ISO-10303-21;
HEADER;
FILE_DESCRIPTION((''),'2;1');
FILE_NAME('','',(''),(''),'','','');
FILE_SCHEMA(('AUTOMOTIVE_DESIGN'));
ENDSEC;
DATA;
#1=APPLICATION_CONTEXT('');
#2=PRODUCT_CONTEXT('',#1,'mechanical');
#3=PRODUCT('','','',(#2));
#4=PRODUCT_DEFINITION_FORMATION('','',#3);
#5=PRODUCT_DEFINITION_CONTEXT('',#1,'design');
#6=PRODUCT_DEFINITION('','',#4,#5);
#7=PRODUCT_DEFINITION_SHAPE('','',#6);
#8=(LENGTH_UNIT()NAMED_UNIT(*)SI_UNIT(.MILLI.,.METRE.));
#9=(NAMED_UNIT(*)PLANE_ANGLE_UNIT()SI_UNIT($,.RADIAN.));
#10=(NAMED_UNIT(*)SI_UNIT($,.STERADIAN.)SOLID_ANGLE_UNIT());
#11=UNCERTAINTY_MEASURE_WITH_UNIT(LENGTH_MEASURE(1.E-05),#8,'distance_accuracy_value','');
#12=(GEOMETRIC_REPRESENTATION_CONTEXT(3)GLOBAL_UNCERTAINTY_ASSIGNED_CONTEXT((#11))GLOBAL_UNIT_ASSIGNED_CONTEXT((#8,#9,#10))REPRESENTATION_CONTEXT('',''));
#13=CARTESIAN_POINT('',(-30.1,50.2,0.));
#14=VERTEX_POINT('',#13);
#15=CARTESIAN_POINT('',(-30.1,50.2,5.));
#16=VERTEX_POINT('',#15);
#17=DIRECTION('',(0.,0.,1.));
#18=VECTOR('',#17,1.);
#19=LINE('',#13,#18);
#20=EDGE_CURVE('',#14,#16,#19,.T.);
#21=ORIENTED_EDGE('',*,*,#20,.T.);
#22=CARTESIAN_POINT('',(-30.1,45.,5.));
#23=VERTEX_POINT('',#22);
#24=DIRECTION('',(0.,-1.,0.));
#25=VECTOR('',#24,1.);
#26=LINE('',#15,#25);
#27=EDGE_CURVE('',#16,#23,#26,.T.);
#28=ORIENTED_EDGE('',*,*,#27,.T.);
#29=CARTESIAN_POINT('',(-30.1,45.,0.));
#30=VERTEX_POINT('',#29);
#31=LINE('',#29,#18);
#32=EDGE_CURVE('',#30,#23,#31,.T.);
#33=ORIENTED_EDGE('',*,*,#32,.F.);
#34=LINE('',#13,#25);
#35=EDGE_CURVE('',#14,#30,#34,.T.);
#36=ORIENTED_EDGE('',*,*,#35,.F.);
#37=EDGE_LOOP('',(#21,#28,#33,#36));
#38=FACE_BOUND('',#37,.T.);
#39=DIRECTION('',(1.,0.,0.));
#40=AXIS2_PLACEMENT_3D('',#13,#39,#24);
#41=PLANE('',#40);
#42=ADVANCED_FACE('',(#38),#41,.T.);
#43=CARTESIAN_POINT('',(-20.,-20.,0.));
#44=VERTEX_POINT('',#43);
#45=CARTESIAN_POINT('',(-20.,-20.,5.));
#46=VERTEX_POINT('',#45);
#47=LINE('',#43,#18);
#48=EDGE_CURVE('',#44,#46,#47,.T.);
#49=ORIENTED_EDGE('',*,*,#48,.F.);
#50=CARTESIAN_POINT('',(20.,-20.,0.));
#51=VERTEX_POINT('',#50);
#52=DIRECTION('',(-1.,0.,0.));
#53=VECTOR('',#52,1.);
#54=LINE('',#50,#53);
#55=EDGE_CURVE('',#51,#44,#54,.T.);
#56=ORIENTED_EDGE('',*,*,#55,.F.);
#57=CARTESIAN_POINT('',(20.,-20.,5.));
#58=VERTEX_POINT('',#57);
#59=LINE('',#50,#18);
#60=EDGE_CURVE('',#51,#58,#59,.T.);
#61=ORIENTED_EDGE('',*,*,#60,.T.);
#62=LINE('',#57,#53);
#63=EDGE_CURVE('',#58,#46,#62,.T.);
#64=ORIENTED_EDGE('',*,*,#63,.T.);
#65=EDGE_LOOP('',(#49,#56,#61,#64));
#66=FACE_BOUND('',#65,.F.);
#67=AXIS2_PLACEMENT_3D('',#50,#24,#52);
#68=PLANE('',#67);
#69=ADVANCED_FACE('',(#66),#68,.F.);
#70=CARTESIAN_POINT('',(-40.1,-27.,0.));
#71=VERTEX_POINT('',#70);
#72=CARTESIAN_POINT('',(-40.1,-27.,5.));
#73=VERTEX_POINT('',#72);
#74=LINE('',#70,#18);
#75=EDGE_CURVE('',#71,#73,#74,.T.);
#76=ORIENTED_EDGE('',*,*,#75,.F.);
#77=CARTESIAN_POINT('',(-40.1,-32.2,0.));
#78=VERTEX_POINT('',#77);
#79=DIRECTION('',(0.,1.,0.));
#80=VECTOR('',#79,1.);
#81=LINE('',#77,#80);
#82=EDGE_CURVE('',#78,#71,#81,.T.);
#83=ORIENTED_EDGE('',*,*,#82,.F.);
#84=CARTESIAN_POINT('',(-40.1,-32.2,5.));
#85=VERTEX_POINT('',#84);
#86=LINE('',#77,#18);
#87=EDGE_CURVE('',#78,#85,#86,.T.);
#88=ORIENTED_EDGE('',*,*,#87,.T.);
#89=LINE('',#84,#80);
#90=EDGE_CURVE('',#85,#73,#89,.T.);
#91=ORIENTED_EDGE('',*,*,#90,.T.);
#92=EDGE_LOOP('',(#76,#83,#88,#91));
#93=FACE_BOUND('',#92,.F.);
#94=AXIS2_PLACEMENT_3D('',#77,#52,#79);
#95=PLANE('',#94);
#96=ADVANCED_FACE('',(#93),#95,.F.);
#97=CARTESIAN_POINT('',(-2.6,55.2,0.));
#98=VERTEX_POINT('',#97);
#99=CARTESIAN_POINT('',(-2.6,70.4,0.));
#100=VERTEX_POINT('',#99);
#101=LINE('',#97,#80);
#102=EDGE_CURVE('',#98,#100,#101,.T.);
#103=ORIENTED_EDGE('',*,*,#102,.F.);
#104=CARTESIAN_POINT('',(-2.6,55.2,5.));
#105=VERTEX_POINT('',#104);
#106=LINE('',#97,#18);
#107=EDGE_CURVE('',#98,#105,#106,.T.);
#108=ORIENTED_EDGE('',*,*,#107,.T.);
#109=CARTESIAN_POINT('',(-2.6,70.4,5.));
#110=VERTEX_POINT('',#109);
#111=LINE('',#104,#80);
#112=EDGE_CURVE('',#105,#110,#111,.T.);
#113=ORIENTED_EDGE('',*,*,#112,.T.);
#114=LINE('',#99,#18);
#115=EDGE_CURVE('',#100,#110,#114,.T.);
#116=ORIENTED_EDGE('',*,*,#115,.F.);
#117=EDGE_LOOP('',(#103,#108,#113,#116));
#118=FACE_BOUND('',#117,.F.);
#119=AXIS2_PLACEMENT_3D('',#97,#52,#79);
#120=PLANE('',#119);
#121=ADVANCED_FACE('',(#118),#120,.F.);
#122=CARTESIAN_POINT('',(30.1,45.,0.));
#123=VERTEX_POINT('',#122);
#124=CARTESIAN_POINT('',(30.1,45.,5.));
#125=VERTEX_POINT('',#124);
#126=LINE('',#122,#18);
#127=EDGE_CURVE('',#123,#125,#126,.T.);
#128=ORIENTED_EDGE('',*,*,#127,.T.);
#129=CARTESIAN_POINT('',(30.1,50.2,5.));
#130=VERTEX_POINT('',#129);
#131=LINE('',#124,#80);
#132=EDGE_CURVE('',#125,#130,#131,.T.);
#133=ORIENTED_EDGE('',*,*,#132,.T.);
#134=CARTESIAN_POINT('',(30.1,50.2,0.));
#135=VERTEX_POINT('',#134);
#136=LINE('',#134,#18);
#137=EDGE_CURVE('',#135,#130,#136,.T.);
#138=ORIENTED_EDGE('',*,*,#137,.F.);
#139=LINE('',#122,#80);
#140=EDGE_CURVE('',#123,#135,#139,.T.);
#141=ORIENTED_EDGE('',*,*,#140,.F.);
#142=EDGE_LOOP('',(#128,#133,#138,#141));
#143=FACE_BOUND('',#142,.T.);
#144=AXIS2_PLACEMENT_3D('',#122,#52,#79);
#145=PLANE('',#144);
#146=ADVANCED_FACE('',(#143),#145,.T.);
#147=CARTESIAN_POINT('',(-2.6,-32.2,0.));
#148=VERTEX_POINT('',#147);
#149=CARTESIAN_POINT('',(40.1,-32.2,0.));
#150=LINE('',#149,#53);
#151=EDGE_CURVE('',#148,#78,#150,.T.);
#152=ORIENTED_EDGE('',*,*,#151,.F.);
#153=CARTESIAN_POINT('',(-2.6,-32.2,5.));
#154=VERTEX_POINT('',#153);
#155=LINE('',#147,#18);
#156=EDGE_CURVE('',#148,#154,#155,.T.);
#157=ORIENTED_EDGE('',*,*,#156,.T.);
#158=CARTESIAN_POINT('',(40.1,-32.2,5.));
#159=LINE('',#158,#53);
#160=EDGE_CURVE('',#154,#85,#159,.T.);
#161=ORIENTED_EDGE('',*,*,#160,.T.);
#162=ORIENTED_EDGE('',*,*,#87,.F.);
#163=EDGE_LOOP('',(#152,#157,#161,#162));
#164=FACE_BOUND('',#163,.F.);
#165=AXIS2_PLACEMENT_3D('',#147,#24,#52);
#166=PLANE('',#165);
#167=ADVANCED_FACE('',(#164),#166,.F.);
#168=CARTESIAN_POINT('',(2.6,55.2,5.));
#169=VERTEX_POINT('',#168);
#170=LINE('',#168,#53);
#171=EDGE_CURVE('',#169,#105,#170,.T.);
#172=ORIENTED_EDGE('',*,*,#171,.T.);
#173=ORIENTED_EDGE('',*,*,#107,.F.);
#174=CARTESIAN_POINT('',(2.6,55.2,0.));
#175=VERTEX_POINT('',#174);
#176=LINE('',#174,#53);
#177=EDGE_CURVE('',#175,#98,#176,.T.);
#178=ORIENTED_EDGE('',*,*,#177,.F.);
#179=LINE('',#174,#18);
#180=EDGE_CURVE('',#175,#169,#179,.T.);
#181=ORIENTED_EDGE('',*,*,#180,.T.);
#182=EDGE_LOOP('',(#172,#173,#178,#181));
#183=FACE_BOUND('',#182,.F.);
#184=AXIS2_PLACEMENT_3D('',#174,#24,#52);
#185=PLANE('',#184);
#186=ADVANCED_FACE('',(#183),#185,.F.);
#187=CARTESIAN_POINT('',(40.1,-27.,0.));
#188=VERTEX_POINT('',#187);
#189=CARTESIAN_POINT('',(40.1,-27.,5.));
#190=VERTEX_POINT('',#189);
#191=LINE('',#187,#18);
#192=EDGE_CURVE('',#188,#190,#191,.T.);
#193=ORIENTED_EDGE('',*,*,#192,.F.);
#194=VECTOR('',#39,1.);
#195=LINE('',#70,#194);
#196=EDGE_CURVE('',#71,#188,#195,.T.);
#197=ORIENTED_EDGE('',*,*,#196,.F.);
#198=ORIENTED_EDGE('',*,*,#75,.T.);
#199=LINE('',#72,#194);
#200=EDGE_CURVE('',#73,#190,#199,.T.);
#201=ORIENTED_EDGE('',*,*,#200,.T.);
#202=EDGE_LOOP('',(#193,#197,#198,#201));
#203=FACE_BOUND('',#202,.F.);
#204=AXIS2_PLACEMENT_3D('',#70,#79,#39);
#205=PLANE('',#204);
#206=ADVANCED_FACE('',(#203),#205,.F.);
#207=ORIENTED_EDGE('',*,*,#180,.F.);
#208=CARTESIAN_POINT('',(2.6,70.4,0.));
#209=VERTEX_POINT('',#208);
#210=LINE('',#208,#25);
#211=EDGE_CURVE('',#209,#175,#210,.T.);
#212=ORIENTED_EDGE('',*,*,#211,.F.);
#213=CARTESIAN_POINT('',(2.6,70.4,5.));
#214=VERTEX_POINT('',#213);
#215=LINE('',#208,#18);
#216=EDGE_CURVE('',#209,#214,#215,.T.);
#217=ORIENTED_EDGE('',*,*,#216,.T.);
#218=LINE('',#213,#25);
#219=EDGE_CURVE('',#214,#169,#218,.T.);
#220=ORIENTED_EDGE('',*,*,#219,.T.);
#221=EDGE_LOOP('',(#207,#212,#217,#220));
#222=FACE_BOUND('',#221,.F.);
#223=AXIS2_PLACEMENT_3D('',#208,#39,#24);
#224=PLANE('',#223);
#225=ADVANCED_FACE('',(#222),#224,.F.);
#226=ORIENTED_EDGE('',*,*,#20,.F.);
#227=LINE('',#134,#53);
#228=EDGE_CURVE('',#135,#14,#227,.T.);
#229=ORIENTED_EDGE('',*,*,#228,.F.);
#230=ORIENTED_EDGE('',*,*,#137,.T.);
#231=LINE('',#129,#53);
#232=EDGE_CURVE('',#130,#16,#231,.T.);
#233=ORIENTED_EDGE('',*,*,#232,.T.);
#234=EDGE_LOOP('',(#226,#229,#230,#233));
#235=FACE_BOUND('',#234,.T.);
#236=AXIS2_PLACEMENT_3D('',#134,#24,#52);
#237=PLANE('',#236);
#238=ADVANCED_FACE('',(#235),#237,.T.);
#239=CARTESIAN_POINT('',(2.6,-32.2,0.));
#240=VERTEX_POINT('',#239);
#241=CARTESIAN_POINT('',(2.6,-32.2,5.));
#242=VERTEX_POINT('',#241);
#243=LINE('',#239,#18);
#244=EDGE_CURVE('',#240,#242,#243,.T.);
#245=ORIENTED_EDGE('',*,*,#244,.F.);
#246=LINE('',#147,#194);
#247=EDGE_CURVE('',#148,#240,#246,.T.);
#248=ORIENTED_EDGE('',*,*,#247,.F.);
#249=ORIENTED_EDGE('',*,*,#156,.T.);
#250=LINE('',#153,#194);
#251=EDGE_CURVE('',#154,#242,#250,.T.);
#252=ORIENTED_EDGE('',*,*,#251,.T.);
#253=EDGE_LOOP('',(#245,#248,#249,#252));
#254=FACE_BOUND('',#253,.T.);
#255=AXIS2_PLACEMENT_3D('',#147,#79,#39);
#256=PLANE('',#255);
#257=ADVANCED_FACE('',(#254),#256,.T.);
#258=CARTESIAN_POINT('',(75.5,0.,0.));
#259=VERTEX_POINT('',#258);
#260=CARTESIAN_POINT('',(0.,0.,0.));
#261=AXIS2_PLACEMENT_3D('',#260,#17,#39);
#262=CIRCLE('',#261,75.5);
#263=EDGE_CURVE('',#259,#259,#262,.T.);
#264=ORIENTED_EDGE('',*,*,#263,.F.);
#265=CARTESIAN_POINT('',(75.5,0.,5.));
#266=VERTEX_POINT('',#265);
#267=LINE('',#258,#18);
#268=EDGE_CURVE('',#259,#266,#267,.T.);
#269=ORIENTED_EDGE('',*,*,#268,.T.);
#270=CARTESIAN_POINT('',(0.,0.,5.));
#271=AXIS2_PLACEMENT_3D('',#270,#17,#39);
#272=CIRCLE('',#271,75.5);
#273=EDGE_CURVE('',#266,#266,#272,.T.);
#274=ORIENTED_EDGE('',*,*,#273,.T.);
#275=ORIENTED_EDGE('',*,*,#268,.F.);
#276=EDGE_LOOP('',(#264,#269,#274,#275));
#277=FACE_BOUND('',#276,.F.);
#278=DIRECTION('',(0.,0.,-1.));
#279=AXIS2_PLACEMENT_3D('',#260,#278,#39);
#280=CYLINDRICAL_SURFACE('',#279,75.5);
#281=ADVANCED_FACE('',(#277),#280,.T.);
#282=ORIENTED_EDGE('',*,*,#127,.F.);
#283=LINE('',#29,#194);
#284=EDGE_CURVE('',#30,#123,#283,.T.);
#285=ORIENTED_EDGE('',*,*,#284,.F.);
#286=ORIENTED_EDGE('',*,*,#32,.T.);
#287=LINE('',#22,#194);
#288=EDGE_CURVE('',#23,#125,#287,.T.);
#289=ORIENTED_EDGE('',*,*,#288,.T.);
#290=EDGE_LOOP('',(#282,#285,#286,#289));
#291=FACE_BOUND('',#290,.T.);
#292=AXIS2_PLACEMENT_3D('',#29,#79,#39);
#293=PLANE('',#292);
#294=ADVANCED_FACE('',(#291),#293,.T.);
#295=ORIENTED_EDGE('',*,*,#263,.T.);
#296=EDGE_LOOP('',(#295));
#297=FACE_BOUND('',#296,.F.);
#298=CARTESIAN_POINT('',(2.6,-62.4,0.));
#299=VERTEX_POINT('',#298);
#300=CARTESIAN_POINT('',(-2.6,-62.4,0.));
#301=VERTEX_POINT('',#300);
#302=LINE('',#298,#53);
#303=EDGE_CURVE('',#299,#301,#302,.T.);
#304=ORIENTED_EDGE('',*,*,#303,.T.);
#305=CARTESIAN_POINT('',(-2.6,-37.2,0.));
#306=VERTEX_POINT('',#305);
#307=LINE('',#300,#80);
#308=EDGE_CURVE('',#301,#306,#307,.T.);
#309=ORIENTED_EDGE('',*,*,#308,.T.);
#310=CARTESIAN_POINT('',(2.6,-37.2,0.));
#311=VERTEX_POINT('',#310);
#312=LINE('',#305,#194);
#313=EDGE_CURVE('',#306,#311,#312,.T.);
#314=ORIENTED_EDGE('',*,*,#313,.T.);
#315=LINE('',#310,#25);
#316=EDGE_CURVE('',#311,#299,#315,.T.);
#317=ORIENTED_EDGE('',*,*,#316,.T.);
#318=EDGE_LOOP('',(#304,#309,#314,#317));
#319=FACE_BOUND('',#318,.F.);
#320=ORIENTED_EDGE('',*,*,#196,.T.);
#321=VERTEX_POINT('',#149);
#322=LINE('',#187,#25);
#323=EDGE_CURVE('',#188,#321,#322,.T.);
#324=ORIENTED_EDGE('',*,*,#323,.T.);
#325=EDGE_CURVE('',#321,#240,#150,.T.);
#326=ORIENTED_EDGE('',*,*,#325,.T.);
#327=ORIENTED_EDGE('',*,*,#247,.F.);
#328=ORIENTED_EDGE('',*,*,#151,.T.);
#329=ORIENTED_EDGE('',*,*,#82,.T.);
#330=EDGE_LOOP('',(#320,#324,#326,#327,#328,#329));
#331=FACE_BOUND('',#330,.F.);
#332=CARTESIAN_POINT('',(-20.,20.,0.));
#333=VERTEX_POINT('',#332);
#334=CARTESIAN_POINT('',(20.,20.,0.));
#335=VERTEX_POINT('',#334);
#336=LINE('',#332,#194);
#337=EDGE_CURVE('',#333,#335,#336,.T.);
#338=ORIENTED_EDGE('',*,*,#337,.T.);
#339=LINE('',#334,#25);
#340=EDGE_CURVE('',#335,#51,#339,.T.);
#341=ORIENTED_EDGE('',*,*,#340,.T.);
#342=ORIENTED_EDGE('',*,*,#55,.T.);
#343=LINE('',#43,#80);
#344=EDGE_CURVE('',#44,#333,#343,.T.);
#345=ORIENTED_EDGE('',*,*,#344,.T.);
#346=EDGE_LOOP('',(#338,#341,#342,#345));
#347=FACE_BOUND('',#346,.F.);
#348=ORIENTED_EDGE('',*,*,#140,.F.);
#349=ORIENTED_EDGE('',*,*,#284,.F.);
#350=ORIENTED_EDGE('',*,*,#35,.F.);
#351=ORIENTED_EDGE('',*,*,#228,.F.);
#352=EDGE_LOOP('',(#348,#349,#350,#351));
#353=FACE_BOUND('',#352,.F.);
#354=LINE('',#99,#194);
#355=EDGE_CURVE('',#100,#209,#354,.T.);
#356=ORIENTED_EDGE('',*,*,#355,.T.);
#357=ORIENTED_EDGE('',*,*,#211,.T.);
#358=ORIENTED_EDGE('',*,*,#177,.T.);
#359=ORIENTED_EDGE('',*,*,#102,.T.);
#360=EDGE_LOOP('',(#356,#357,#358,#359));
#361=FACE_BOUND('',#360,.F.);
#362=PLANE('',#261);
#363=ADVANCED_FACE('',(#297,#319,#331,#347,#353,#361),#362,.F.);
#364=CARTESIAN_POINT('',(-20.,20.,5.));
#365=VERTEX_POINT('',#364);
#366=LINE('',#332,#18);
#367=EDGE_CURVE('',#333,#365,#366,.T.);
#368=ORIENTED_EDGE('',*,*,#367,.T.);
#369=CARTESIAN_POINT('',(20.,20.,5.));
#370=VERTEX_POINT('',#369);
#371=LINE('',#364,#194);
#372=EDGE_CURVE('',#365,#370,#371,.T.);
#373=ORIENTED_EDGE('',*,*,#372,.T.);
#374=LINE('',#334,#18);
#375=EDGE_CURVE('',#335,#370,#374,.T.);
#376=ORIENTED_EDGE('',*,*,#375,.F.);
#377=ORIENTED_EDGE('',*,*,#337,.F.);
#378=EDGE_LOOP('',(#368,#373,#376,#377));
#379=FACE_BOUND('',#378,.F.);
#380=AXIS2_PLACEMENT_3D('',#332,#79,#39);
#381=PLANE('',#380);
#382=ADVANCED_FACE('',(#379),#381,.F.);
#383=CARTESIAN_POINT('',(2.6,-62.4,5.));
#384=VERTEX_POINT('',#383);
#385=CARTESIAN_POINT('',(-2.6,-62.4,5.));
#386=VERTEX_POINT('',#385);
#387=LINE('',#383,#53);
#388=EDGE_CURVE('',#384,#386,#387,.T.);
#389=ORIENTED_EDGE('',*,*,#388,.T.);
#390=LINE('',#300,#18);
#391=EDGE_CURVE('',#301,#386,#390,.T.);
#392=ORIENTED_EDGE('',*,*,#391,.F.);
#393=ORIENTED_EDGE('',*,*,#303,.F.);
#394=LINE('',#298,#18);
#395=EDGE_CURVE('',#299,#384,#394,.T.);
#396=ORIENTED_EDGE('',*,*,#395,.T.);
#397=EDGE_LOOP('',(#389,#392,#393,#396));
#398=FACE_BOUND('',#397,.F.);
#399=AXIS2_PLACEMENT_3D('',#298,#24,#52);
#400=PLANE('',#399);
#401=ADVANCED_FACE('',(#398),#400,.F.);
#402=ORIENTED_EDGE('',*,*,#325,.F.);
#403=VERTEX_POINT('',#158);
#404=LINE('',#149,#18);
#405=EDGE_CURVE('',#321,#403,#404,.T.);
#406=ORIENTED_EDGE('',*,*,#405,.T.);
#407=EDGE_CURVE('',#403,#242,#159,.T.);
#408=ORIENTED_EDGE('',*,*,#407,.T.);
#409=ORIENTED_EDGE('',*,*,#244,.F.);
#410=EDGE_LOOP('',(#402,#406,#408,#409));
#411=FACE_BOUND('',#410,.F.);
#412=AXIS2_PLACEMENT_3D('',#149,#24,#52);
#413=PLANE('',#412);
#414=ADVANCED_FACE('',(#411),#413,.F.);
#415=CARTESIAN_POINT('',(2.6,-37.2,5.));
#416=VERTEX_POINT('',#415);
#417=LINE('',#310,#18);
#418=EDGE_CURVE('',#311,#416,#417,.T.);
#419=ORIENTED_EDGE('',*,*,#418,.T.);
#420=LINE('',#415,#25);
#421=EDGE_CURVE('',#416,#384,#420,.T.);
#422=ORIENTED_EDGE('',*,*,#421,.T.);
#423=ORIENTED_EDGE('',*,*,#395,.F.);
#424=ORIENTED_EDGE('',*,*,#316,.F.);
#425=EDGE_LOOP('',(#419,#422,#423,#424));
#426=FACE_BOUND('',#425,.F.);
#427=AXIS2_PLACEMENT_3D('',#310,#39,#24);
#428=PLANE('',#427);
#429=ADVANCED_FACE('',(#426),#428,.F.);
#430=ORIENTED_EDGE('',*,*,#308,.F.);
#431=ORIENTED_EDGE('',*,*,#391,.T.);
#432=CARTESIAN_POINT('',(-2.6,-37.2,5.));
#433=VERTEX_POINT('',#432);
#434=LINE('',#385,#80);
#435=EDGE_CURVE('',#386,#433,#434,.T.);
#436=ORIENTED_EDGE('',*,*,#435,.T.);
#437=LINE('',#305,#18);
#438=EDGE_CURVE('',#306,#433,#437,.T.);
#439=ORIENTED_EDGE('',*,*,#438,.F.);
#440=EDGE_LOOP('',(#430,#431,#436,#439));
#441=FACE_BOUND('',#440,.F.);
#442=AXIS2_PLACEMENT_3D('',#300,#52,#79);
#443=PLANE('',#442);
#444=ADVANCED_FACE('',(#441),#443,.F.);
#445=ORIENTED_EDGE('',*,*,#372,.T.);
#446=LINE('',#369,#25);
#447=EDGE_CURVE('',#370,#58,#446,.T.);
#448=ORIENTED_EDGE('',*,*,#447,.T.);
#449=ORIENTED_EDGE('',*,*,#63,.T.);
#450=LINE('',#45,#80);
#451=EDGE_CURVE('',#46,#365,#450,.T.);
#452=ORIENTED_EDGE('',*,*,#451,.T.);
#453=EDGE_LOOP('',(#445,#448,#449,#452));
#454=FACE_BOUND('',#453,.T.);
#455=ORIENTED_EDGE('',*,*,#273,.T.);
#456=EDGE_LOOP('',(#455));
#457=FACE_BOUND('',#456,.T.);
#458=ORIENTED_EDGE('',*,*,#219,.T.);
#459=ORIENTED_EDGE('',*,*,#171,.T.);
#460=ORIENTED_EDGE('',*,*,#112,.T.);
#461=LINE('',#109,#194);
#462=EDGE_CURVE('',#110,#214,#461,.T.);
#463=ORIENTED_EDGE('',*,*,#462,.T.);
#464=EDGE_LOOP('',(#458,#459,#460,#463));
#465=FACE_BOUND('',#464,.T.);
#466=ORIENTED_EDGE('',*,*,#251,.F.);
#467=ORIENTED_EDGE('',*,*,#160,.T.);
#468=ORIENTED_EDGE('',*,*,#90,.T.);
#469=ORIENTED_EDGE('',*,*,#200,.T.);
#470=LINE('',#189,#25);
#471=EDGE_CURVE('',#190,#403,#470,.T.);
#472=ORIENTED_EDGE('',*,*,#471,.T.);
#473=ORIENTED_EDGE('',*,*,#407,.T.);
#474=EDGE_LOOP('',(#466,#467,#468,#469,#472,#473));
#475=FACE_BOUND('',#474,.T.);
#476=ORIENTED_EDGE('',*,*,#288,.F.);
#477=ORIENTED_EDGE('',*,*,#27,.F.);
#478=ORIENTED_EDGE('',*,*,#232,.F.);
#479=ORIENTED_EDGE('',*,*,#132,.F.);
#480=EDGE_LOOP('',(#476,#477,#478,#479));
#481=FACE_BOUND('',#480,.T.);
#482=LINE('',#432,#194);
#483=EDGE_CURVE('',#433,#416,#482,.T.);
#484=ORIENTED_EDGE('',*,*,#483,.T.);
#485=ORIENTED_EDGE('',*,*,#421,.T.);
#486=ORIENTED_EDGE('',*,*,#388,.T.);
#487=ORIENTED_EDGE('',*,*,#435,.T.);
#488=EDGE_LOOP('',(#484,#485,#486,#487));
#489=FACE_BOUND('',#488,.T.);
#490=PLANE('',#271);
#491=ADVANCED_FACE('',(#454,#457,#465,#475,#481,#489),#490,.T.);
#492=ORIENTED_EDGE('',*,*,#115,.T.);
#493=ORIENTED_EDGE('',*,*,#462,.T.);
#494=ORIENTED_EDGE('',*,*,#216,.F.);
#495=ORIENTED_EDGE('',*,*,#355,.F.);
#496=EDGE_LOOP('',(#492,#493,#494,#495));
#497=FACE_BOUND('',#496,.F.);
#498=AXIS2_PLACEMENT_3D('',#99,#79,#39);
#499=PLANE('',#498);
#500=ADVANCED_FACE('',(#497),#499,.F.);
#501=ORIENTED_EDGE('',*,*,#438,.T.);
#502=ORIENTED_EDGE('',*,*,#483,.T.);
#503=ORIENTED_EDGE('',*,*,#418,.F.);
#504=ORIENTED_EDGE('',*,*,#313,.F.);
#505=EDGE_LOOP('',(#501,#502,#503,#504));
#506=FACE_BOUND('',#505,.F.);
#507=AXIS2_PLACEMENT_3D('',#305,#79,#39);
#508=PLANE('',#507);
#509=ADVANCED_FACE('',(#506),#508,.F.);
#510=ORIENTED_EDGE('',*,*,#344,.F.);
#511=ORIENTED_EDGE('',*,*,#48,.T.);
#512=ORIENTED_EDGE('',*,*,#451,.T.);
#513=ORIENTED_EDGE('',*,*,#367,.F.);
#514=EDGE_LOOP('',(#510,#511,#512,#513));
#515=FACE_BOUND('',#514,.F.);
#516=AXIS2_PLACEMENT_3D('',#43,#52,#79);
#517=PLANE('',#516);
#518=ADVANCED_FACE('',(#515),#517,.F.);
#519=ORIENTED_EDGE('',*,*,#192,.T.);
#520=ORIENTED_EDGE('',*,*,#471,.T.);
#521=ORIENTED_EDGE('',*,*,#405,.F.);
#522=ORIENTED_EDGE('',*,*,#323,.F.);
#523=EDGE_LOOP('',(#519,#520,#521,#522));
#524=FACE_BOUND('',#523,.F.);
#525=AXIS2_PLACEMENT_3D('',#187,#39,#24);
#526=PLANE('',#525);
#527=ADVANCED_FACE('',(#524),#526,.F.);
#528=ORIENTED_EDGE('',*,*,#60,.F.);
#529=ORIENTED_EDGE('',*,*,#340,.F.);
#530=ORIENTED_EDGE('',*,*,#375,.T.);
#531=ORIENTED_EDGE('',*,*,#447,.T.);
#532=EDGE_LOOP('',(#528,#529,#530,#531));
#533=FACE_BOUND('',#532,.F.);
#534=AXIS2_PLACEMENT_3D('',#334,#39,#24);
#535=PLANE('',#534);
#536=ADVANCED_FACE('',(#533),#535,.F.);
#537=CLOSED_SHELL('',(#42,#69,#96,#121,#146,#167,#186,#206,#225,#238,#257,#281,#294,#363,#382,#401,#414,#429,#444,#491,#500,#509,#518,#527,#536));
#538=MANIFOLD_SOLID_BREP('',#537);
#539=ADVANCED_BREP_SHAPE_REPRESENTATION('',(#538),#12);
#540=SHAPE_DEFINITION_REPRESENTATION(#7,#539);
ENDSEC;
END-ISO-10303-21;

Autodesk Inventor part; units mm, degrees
ref_plane "YZ Plane" through (0, 0, 0) normal (1, 0, 0) x (0, 1, 0)
ref_plane "XZ Plane" through (0, 0, 0) normal (0, 1, 0) x (-1, 0, 0)
ref_plane "XY Plane" through (0, 0, 0) normal (0, 0, 1) x (1, 0, 0)
sketch "Skizze1" plane through (0, 0, 0) normal (0, 0, 1) x (1, 0, 0)
  circle A0 centre (0, 0) radius 80 construction
  circle A1 centre (0, 0) radius 76 construction
  circle A2 centre (0, 0) radius 75.5
  line L0 (-15, 25) -> (15, 25) construction
  line L1 (15, 25) -> (15, -25) construction
  line L2 (15, -25) -> (-15, -25) construction
  line L3 (-15, -25) -> (-15, 25) construction
  line L4 (-15, 25) -> (15, -25) construction
  line L5 (15, 25) -> (-15, -25) construction
  line L6 (-40.1, -27) -> (40.1, -27)
  line L7 (40.1, -27) -> (40.1, -32.2)
  line L8 (40.1, -32.2) -> (-40.1, -32.2)
  line L9 (-40.1, -32.2) -> (-40.1, -27)
  line L10 (-2.6, -32.2) -> (2.6, -32.2)
  line L11 (-30.1, 45) -> (30.1, 45)
  line L12 (30.1, 45) -> (30.1, 50.2)
  line L13 (30.1, 50.2) -> (-30.1, 50.2)
  line L14 (-30.1, 50.2) -> (-30.1, 45)
  line L15 (-2.6, -37.2) -> (2.6, -37.2)
  line L16 (2.6, -37.2) -> (2.6, -62.4)
  line L17 (2.6, -62.4) -> (-2.6, -62.4)
  line L18 (-2.6, -62.4) -> (-2.6, -37.2)
  line L19 (-20, 20) -> (20, 20)
  line L20 (20, 20) -> (20, -20)
  line L21 (20, -20) -> (-20, -20)
  line L22 (-20, -20) -> (-20, 20)
  line L23 (-20, 20) -> (20, -20) construction
  line L24 (20, 20) -> (-20, -20) construction
  line L25 (-2.6, 70.4) -> (2.6, 70.4)
  line L26 (2.6, 70.4) -> (2.6, 55.2)
  line L27 (2.6, 55.2) -> (-2.6, 55.2)
  line L28 (-2.6, 55.2) -> (-2.6, 70.4)
  point P0 (0, -32.2)
  point P1 (0, -32.2)
  point P2 (0, -32.2)
  point P3 (0, 45)
  point P4 (0, -37.2)
  dimension "d0" = 160
  dimension "d1" = 4
  dimension "d2" = 0.5
  dimension "d6" = 30
  dimension "d7" = 50
  dimension "d8" = 2
  dimension "d9" = 80.2
  dimension "d10" = 5.2
  dimension "d13" = 5.2
  dimension "d14" = 60.2
  dimension "d15" = 5.2
  dimension "d16" = 45
  dimension "d17" = 5.2
  dimension "d18" = 25.2
  dimension "d19" = 5
  dimension "d20" = 40
  dimension "d21" = 5
  dimension "d22" = 15.2
extrude "Extrusion1" add sketch "Skizze1" along normal blind 5
properties part number "Slider_1"
